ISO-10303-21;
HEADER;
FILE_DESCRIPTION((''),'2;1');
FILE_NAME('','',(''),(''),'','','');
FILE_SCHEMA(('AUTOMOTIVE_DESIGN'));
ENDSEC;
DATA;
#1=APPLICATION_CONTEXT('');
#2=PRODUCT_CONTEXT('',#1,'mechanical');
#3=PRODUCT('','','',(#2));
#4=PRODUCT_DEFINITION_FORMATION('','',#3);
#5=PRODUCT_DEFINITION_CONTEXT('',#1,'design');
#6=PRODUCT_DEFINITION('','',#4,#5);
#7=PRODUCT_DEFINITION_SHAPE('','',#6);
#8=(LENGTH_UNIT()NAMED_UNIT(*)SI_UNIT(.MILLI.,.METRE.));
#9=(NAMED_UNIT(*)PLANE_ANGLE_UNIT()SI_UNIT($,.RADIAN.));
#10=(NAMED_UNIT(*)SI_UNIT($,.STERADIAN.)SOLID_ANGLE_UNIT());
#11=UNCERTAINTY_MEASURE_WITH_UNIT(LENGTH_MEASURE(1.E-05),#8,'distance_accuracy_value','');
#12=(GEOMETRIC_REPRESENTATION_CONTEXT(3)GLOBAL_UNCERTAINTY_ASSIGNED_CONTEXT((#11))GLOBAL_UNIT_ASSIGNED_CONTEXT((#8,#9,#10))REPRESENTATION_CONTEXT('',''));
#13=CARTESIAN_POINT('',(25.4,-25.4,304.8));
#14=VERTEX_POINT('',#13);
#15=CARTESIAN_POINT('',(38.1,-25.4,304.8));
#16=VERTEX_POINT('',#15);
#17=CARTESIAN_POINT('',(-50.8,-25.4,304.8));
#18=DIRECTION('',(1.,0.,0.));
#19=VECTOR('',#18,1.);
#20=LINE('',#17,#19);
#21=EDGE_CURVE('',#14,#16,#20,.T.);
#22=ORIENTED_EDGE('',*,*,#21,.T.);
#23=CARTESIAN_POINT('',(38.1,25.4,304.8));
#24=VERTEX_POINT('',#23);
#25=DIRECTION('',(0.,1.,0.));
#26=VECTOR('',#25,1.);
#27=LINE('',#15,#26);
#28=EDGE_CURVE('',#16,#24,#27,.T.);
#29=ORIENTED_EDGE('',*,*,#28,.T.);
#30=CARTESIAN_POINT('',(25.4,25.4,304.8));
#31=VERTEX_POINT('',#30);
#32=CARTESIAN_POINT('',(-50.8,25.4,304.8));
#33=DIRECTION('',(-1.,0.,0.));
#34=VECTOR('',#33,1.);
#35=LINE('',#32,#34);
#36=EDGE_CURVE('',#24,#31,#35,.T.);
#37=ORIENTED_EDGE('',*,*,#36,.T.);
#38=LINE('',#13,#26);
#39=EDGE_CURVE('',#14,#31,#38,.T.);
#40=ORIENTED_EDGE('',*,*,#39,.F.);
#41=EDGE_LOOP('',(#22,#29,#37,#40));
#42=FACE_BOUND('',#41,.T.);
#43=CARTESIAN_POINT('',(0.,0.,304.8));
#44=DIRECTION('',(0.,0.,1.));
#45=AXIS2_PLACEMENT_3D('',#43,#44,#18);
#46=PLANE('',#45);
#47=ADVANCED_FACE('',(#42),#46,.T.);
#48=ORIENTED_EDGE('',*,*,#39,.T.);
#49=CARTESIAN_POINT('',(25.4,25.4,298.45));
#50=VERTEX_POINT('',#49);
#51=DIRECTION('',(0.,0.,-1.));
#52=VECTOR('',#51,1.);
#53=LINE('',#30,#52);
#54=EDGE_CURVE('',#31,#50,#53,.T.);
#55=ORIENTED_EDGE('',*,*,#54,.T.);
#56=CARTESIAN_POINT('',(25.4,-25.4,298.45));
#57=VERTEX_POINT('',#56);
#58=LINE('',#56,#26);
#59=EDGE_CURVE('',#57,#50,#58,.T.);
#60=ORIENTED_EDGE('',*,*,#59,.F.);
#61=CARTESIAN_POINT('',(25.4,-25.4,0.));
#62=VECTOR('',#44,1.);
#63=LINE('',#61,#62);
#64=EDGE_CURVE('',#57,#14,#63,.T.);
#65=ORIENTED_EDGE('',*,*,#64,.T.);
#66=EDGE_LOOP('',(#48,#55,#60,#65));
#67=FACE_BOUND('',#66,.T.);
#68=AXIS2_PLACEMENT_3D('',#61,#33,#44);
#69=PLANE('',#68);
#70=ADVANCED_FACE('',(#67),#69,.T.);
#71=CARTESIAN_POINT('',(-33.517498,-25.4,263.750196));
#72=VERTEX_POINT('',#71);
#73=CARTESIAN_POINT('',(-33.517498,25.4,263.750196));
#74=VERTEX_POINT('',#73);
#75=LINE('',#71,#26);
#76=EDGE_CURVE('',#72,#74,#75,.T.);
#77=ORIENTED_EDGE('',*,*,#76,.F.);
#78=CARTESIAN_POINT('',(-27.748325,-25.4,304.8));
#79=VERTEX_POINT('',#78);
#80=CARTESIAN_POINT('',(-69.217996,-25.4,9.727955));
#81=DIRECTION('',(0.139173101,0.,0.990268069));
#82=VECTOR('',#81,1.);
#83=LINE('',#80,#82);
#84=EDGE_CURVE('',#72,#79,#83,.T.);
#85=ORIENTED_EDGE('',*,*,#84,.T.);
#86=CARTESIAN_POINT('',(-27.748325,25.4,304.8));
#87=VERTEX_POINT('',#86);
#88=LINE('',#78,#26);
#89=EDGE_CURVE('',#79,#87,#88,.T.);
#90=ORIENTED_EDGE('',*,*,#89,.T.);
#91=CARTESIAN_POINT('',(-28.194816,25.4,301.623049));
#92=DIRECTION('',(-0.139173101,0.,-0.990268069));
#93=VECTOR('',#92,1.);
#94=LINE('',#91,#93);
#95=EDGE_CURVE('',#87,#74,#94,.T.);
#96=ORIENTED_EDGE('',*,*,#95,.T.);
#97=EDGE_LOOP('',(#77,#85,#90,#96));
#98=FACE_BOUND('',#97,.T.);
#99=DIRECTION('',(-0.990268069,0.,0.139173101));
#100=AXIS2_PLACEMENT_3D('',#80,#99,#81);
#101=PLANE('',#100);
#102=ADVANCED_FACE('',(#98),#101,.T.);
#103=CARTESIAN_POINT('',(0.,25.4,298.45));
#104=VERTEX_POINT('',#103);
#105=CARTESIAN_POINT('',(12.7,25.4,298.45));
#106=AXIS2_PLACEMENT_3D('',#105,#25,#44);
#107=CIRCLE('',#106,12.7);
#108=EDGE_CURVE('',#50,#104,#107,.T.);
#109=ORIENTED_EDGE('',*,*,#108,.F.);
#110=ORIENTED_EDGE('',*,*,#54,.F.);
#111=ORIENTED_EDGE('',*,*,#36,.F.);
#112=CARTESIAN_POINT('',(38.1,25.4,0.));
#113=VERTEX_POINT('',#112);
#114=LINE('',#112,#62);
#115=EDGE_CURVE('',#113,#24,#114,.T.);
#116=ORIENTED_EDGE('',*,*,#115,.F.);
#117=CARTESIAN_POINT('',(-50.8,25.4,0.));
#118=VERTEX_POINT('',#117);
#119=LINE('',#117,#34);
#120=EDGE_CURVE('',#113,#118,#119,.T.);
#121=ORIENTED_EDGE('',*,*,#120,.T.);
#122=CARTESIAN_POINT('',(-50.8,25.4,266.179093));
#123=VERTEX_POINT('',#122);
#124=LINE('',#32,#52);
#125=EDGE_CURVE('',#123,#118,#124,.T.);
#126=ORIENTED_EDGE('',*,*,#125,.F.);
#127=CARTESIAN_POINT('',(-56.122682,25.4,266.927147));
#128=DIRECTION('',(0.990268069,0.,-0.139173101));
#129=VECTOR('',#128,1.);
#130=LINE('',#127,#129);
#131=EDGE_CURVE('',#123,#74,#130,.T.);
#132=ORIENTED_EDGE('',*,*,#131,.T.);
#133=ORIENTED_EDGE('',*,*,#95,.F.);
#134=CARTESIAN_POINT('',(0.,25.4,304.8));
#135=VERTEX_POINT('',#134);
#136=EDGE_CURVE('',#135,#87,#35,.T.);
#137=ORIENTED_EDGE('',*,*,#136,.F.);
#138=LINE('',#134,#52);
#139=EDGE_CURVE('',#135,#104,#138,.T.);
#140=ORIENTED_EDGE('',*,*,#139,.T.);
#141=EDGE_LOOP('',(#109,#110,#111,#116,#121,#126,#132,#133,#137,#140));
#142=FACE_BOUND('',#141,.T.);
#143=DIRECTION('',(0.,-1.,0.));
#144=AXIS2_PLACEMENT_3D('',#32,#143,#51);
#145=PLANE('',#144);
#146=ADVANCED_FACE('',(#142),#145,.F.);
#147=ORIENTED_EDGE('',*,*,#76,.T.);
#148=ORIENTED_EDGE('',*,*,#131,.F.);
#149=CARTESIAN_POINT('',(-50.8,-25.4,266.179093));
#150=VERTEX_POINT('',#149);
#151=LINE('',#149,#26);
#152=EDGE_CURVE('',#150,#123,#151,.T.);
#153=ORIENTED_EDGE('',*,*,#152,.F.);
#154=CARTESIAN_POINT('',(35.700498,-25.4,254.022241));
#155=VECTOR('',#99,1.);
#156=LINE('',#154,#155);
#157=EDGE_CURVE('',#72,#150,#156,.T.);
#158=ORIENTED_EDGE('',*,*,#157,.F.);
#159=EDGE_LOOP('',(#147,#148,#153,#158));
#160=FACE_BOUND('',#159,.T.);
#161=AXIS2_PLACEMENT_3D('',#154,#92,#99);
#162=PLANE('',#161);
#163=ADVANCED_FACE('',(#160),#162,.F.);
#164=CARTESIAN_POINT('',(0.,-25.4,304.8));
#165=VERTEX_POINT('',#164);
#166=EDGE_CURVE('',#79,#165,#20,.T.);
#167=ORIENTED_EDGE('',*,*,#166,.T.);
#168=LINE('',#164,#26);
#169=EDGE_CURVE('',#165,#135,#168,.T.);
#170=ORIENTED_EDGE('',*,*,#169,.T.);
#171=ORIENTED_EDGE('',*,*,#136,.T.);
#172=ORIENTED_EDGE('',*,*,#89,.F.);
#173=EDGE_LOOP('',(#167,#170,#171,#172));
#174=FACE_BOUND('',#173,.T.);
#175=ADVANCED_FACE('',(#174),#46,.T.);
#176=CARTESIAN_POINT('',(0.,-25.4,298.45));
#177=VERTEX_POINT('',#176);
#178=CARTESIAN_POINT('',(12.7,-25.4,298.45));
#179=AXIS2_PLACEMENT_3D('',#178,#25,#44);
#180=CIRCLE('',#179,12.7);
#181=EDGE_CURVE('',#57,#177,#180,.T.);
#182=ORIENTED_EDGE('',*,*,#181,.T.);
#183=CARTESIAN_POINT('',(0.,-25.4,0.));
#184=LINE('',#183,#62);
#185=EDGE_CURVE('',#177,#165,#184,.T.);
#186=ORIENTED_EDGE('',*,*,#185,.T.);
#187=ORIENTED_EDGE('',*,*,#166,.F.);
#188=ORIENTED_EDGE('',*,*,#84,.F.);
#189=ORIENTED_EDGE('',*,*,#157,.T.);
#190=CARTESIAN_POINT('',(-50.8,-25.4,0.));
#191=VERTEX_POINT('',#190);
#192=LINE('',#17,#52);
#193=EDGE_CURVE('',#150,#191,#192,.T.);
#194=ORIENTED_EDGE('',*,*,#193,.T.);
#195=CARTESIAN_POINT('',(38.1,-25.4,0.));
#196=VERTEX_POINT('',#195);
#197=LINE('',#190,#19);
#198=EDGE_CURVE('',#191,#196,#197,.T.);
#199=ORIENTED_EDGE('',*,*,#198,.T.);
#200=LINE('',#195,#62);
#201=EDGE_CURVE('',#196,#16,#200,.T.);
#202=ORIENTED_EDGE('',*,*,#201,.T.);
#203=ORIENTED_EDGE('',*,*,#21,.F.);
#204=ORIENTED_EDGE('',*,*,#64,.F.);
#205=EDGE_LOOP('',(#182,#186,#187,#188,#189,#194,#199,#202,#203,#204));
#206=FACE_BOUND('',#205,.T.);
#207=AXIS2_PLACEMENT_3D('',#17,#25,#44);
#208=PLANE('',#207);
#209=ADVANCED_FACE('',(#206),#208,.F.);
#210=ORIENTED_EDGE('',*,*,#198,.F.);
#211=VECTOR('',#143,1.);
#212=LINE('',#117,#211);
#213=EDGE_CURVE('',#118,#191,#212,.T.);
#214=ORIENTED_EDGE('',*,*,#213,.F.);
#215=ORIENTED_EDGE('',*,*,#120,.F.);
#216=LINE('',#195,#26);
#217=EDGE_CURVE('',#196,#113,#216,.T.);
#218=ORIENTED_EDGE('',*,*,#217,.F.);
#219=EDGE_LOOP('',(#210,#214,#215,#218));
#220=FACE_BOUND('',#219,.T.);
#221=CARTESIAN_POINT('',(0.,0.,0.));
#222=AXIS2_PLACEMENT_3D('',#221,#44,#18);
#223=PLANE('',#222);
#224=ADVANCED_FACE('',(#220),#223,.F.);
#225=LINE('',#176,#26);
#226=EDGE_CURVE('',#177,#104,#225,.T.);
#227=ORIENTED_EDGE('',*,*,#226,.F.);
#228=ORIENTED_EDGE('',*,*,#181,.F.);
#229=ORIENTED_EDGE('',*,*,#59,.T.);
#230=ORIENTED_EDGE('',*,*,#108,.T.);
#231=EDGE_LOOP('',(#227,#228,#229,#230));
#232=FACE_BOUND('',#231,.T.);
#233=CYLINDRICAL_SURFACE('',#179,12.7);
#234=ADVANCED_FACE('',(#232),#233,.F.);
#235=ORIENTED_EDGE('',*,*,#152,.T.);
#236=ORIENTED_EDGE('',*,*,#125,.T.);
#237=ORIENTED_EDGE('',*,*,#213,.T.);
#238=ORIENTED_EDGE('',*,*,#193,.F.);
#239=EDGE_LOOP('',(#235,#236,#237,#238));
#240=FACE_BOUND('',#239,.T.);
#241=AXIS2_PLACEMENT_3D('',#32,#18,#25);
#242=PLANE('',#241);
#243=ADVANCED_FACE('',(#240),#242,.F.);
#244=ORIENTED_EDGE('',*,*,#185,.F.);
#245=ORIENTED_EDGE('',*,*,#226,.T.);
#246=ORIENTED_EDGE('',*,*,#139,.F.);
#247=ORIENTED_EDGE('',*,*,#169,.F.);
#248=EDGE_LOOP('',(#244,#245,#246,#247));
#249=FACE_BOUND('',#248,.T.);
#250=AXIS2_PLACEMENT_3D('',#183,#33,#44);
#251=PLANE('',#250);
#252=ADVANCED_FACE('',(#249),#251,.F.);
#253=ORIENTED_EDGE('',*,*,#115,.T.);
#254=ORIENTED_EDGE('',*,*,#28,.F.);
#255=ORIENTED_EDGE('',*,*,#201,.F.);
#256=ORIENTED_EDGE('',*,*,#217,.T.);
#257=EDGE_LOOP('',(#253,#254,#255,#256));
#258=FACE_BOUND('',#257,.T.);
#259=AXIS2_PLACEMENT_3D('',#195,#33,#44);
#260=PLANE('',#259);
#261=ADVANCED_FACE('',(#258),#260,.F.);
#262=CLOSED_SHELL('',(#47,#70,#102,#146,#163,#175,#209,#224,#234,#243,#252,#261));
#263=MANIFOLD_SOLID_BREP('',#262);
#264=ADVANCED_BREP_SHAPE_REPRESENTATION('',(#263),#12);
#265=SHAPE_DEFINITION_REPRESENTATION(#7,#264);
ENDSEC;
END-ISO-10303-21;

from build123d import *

# Parameters (mm, degrees)
SKETCH1_W               = 101.6
SKETCH1_H               = 50.8
BOSS_EXTRUDE1_DEPTH     = 304.8
CUT_EXTRUDE1_DEPTH      = 314.152231351
CUT_EXTRUDE1_DEPTH_BACK = 314.152231351
CUT_EXTRUDE2_DEPTH      = 314.152231351
CUT_EXTRUDE2_DEPTH_BACK = 314.152231351
SKETCH3_W               = 12.7
SKETCH3_H               = 304.8


with BuildPart() as part:
    # Sketch1 → Boss-Extrude1 (new body)
    with BuildSketch(Plane.XY):
        Rectangle(SKETCH1_W, SKETCH1_H)
    extrude(amount=BOSS_EXTRUDE1_DEPTH)

    # Sketch2 → Cut-Extrude1 (cut, two sides: drawn at the far end of the back side and taken through both)
    with BuildSketch(Plane(origin=(0, 25.4, 0), x_dir=(1, 0, 0), z_dir=(0, 1, 0)).offset(-CUT_EXTRUDE1_DEPTH_BACK)):
        with BuildLine():
            ThreePointArc((25.4, -298.45), (12.7, -285.75), (0, -298.45))
            ThreePointArc((0, -298.45), (0.432742006, -301.737001873), (1.701477372, -304.8))
            Line((1.701477372, -304.8), (23.698522628, -304.8))
            ThreePointArc((23.698522628, -304.8), (24.967257994, -301.737001873), (25.4, -298.45))
        make_face()
        with BuildLine():
            Line((23.698522628, -304.8), (1.701477372, -304.8))
            ThreePointArc((1.701477372, -304.8), (12.7, -311.15), (23.698522628, -304.8))
        make_face()
        with BuildLine():
            Line((25.4, -304.8), (25.4, -298.45))
            ThreePointArc((25.4, -298.45), (24.967257994, -301.737001873), (23.698522628, -304.8))
            Line((23.698522628, -304.8), (25.4, -304.8))
        make_face()
        with BuildLine():
            Line((0, -298.45), (0, -304.8))
            Line((0, -304.8), (1.701477372, -304.8))
            ThreePointArc((1.701477372, -304.8), (0.432742006, -301.737001873), (0, -298.45))
        make_face()
        Polygon((-31.75, -276.3266), (-50.8, -279.003902901), (-50.8, -304.8), (-27.748324597, -304.8), align=None)
        Polygon((-50.8, -266.17909273), (-50.8, -279.003902901), (-31.75, -276.3266), (-33.517498382, -263.750195527), align=None)
    extrude(amount=CUT_EXTRUDE1_DEPTH + CUT_EXTRUDE1_DEPTH_BACK, mode=Mode.SUBTRACT)

    # Sketch3 → Cut-Extrude2 (cut, two sides: drawn at the far end of the back side and taken through both)
    with BuildSketch(Plane(origin=(0, 25.4, 0), x_dir=(1, 0, 0), z_dir=(0, 1, 0)).offset(-CUT_EXTRUDE2_DEPTH_BACK)):
        with Locations((44.45, -152.4)):
            Rectangle(SKETCH3_W, SKETCH3_H)
    extrude(amount=CUT_EXTRUDE2_DEPTH + CUT_EXTRUDE2_DEPTH_BACK, mode=Mode.SUBTRACT)


solid = part.part
